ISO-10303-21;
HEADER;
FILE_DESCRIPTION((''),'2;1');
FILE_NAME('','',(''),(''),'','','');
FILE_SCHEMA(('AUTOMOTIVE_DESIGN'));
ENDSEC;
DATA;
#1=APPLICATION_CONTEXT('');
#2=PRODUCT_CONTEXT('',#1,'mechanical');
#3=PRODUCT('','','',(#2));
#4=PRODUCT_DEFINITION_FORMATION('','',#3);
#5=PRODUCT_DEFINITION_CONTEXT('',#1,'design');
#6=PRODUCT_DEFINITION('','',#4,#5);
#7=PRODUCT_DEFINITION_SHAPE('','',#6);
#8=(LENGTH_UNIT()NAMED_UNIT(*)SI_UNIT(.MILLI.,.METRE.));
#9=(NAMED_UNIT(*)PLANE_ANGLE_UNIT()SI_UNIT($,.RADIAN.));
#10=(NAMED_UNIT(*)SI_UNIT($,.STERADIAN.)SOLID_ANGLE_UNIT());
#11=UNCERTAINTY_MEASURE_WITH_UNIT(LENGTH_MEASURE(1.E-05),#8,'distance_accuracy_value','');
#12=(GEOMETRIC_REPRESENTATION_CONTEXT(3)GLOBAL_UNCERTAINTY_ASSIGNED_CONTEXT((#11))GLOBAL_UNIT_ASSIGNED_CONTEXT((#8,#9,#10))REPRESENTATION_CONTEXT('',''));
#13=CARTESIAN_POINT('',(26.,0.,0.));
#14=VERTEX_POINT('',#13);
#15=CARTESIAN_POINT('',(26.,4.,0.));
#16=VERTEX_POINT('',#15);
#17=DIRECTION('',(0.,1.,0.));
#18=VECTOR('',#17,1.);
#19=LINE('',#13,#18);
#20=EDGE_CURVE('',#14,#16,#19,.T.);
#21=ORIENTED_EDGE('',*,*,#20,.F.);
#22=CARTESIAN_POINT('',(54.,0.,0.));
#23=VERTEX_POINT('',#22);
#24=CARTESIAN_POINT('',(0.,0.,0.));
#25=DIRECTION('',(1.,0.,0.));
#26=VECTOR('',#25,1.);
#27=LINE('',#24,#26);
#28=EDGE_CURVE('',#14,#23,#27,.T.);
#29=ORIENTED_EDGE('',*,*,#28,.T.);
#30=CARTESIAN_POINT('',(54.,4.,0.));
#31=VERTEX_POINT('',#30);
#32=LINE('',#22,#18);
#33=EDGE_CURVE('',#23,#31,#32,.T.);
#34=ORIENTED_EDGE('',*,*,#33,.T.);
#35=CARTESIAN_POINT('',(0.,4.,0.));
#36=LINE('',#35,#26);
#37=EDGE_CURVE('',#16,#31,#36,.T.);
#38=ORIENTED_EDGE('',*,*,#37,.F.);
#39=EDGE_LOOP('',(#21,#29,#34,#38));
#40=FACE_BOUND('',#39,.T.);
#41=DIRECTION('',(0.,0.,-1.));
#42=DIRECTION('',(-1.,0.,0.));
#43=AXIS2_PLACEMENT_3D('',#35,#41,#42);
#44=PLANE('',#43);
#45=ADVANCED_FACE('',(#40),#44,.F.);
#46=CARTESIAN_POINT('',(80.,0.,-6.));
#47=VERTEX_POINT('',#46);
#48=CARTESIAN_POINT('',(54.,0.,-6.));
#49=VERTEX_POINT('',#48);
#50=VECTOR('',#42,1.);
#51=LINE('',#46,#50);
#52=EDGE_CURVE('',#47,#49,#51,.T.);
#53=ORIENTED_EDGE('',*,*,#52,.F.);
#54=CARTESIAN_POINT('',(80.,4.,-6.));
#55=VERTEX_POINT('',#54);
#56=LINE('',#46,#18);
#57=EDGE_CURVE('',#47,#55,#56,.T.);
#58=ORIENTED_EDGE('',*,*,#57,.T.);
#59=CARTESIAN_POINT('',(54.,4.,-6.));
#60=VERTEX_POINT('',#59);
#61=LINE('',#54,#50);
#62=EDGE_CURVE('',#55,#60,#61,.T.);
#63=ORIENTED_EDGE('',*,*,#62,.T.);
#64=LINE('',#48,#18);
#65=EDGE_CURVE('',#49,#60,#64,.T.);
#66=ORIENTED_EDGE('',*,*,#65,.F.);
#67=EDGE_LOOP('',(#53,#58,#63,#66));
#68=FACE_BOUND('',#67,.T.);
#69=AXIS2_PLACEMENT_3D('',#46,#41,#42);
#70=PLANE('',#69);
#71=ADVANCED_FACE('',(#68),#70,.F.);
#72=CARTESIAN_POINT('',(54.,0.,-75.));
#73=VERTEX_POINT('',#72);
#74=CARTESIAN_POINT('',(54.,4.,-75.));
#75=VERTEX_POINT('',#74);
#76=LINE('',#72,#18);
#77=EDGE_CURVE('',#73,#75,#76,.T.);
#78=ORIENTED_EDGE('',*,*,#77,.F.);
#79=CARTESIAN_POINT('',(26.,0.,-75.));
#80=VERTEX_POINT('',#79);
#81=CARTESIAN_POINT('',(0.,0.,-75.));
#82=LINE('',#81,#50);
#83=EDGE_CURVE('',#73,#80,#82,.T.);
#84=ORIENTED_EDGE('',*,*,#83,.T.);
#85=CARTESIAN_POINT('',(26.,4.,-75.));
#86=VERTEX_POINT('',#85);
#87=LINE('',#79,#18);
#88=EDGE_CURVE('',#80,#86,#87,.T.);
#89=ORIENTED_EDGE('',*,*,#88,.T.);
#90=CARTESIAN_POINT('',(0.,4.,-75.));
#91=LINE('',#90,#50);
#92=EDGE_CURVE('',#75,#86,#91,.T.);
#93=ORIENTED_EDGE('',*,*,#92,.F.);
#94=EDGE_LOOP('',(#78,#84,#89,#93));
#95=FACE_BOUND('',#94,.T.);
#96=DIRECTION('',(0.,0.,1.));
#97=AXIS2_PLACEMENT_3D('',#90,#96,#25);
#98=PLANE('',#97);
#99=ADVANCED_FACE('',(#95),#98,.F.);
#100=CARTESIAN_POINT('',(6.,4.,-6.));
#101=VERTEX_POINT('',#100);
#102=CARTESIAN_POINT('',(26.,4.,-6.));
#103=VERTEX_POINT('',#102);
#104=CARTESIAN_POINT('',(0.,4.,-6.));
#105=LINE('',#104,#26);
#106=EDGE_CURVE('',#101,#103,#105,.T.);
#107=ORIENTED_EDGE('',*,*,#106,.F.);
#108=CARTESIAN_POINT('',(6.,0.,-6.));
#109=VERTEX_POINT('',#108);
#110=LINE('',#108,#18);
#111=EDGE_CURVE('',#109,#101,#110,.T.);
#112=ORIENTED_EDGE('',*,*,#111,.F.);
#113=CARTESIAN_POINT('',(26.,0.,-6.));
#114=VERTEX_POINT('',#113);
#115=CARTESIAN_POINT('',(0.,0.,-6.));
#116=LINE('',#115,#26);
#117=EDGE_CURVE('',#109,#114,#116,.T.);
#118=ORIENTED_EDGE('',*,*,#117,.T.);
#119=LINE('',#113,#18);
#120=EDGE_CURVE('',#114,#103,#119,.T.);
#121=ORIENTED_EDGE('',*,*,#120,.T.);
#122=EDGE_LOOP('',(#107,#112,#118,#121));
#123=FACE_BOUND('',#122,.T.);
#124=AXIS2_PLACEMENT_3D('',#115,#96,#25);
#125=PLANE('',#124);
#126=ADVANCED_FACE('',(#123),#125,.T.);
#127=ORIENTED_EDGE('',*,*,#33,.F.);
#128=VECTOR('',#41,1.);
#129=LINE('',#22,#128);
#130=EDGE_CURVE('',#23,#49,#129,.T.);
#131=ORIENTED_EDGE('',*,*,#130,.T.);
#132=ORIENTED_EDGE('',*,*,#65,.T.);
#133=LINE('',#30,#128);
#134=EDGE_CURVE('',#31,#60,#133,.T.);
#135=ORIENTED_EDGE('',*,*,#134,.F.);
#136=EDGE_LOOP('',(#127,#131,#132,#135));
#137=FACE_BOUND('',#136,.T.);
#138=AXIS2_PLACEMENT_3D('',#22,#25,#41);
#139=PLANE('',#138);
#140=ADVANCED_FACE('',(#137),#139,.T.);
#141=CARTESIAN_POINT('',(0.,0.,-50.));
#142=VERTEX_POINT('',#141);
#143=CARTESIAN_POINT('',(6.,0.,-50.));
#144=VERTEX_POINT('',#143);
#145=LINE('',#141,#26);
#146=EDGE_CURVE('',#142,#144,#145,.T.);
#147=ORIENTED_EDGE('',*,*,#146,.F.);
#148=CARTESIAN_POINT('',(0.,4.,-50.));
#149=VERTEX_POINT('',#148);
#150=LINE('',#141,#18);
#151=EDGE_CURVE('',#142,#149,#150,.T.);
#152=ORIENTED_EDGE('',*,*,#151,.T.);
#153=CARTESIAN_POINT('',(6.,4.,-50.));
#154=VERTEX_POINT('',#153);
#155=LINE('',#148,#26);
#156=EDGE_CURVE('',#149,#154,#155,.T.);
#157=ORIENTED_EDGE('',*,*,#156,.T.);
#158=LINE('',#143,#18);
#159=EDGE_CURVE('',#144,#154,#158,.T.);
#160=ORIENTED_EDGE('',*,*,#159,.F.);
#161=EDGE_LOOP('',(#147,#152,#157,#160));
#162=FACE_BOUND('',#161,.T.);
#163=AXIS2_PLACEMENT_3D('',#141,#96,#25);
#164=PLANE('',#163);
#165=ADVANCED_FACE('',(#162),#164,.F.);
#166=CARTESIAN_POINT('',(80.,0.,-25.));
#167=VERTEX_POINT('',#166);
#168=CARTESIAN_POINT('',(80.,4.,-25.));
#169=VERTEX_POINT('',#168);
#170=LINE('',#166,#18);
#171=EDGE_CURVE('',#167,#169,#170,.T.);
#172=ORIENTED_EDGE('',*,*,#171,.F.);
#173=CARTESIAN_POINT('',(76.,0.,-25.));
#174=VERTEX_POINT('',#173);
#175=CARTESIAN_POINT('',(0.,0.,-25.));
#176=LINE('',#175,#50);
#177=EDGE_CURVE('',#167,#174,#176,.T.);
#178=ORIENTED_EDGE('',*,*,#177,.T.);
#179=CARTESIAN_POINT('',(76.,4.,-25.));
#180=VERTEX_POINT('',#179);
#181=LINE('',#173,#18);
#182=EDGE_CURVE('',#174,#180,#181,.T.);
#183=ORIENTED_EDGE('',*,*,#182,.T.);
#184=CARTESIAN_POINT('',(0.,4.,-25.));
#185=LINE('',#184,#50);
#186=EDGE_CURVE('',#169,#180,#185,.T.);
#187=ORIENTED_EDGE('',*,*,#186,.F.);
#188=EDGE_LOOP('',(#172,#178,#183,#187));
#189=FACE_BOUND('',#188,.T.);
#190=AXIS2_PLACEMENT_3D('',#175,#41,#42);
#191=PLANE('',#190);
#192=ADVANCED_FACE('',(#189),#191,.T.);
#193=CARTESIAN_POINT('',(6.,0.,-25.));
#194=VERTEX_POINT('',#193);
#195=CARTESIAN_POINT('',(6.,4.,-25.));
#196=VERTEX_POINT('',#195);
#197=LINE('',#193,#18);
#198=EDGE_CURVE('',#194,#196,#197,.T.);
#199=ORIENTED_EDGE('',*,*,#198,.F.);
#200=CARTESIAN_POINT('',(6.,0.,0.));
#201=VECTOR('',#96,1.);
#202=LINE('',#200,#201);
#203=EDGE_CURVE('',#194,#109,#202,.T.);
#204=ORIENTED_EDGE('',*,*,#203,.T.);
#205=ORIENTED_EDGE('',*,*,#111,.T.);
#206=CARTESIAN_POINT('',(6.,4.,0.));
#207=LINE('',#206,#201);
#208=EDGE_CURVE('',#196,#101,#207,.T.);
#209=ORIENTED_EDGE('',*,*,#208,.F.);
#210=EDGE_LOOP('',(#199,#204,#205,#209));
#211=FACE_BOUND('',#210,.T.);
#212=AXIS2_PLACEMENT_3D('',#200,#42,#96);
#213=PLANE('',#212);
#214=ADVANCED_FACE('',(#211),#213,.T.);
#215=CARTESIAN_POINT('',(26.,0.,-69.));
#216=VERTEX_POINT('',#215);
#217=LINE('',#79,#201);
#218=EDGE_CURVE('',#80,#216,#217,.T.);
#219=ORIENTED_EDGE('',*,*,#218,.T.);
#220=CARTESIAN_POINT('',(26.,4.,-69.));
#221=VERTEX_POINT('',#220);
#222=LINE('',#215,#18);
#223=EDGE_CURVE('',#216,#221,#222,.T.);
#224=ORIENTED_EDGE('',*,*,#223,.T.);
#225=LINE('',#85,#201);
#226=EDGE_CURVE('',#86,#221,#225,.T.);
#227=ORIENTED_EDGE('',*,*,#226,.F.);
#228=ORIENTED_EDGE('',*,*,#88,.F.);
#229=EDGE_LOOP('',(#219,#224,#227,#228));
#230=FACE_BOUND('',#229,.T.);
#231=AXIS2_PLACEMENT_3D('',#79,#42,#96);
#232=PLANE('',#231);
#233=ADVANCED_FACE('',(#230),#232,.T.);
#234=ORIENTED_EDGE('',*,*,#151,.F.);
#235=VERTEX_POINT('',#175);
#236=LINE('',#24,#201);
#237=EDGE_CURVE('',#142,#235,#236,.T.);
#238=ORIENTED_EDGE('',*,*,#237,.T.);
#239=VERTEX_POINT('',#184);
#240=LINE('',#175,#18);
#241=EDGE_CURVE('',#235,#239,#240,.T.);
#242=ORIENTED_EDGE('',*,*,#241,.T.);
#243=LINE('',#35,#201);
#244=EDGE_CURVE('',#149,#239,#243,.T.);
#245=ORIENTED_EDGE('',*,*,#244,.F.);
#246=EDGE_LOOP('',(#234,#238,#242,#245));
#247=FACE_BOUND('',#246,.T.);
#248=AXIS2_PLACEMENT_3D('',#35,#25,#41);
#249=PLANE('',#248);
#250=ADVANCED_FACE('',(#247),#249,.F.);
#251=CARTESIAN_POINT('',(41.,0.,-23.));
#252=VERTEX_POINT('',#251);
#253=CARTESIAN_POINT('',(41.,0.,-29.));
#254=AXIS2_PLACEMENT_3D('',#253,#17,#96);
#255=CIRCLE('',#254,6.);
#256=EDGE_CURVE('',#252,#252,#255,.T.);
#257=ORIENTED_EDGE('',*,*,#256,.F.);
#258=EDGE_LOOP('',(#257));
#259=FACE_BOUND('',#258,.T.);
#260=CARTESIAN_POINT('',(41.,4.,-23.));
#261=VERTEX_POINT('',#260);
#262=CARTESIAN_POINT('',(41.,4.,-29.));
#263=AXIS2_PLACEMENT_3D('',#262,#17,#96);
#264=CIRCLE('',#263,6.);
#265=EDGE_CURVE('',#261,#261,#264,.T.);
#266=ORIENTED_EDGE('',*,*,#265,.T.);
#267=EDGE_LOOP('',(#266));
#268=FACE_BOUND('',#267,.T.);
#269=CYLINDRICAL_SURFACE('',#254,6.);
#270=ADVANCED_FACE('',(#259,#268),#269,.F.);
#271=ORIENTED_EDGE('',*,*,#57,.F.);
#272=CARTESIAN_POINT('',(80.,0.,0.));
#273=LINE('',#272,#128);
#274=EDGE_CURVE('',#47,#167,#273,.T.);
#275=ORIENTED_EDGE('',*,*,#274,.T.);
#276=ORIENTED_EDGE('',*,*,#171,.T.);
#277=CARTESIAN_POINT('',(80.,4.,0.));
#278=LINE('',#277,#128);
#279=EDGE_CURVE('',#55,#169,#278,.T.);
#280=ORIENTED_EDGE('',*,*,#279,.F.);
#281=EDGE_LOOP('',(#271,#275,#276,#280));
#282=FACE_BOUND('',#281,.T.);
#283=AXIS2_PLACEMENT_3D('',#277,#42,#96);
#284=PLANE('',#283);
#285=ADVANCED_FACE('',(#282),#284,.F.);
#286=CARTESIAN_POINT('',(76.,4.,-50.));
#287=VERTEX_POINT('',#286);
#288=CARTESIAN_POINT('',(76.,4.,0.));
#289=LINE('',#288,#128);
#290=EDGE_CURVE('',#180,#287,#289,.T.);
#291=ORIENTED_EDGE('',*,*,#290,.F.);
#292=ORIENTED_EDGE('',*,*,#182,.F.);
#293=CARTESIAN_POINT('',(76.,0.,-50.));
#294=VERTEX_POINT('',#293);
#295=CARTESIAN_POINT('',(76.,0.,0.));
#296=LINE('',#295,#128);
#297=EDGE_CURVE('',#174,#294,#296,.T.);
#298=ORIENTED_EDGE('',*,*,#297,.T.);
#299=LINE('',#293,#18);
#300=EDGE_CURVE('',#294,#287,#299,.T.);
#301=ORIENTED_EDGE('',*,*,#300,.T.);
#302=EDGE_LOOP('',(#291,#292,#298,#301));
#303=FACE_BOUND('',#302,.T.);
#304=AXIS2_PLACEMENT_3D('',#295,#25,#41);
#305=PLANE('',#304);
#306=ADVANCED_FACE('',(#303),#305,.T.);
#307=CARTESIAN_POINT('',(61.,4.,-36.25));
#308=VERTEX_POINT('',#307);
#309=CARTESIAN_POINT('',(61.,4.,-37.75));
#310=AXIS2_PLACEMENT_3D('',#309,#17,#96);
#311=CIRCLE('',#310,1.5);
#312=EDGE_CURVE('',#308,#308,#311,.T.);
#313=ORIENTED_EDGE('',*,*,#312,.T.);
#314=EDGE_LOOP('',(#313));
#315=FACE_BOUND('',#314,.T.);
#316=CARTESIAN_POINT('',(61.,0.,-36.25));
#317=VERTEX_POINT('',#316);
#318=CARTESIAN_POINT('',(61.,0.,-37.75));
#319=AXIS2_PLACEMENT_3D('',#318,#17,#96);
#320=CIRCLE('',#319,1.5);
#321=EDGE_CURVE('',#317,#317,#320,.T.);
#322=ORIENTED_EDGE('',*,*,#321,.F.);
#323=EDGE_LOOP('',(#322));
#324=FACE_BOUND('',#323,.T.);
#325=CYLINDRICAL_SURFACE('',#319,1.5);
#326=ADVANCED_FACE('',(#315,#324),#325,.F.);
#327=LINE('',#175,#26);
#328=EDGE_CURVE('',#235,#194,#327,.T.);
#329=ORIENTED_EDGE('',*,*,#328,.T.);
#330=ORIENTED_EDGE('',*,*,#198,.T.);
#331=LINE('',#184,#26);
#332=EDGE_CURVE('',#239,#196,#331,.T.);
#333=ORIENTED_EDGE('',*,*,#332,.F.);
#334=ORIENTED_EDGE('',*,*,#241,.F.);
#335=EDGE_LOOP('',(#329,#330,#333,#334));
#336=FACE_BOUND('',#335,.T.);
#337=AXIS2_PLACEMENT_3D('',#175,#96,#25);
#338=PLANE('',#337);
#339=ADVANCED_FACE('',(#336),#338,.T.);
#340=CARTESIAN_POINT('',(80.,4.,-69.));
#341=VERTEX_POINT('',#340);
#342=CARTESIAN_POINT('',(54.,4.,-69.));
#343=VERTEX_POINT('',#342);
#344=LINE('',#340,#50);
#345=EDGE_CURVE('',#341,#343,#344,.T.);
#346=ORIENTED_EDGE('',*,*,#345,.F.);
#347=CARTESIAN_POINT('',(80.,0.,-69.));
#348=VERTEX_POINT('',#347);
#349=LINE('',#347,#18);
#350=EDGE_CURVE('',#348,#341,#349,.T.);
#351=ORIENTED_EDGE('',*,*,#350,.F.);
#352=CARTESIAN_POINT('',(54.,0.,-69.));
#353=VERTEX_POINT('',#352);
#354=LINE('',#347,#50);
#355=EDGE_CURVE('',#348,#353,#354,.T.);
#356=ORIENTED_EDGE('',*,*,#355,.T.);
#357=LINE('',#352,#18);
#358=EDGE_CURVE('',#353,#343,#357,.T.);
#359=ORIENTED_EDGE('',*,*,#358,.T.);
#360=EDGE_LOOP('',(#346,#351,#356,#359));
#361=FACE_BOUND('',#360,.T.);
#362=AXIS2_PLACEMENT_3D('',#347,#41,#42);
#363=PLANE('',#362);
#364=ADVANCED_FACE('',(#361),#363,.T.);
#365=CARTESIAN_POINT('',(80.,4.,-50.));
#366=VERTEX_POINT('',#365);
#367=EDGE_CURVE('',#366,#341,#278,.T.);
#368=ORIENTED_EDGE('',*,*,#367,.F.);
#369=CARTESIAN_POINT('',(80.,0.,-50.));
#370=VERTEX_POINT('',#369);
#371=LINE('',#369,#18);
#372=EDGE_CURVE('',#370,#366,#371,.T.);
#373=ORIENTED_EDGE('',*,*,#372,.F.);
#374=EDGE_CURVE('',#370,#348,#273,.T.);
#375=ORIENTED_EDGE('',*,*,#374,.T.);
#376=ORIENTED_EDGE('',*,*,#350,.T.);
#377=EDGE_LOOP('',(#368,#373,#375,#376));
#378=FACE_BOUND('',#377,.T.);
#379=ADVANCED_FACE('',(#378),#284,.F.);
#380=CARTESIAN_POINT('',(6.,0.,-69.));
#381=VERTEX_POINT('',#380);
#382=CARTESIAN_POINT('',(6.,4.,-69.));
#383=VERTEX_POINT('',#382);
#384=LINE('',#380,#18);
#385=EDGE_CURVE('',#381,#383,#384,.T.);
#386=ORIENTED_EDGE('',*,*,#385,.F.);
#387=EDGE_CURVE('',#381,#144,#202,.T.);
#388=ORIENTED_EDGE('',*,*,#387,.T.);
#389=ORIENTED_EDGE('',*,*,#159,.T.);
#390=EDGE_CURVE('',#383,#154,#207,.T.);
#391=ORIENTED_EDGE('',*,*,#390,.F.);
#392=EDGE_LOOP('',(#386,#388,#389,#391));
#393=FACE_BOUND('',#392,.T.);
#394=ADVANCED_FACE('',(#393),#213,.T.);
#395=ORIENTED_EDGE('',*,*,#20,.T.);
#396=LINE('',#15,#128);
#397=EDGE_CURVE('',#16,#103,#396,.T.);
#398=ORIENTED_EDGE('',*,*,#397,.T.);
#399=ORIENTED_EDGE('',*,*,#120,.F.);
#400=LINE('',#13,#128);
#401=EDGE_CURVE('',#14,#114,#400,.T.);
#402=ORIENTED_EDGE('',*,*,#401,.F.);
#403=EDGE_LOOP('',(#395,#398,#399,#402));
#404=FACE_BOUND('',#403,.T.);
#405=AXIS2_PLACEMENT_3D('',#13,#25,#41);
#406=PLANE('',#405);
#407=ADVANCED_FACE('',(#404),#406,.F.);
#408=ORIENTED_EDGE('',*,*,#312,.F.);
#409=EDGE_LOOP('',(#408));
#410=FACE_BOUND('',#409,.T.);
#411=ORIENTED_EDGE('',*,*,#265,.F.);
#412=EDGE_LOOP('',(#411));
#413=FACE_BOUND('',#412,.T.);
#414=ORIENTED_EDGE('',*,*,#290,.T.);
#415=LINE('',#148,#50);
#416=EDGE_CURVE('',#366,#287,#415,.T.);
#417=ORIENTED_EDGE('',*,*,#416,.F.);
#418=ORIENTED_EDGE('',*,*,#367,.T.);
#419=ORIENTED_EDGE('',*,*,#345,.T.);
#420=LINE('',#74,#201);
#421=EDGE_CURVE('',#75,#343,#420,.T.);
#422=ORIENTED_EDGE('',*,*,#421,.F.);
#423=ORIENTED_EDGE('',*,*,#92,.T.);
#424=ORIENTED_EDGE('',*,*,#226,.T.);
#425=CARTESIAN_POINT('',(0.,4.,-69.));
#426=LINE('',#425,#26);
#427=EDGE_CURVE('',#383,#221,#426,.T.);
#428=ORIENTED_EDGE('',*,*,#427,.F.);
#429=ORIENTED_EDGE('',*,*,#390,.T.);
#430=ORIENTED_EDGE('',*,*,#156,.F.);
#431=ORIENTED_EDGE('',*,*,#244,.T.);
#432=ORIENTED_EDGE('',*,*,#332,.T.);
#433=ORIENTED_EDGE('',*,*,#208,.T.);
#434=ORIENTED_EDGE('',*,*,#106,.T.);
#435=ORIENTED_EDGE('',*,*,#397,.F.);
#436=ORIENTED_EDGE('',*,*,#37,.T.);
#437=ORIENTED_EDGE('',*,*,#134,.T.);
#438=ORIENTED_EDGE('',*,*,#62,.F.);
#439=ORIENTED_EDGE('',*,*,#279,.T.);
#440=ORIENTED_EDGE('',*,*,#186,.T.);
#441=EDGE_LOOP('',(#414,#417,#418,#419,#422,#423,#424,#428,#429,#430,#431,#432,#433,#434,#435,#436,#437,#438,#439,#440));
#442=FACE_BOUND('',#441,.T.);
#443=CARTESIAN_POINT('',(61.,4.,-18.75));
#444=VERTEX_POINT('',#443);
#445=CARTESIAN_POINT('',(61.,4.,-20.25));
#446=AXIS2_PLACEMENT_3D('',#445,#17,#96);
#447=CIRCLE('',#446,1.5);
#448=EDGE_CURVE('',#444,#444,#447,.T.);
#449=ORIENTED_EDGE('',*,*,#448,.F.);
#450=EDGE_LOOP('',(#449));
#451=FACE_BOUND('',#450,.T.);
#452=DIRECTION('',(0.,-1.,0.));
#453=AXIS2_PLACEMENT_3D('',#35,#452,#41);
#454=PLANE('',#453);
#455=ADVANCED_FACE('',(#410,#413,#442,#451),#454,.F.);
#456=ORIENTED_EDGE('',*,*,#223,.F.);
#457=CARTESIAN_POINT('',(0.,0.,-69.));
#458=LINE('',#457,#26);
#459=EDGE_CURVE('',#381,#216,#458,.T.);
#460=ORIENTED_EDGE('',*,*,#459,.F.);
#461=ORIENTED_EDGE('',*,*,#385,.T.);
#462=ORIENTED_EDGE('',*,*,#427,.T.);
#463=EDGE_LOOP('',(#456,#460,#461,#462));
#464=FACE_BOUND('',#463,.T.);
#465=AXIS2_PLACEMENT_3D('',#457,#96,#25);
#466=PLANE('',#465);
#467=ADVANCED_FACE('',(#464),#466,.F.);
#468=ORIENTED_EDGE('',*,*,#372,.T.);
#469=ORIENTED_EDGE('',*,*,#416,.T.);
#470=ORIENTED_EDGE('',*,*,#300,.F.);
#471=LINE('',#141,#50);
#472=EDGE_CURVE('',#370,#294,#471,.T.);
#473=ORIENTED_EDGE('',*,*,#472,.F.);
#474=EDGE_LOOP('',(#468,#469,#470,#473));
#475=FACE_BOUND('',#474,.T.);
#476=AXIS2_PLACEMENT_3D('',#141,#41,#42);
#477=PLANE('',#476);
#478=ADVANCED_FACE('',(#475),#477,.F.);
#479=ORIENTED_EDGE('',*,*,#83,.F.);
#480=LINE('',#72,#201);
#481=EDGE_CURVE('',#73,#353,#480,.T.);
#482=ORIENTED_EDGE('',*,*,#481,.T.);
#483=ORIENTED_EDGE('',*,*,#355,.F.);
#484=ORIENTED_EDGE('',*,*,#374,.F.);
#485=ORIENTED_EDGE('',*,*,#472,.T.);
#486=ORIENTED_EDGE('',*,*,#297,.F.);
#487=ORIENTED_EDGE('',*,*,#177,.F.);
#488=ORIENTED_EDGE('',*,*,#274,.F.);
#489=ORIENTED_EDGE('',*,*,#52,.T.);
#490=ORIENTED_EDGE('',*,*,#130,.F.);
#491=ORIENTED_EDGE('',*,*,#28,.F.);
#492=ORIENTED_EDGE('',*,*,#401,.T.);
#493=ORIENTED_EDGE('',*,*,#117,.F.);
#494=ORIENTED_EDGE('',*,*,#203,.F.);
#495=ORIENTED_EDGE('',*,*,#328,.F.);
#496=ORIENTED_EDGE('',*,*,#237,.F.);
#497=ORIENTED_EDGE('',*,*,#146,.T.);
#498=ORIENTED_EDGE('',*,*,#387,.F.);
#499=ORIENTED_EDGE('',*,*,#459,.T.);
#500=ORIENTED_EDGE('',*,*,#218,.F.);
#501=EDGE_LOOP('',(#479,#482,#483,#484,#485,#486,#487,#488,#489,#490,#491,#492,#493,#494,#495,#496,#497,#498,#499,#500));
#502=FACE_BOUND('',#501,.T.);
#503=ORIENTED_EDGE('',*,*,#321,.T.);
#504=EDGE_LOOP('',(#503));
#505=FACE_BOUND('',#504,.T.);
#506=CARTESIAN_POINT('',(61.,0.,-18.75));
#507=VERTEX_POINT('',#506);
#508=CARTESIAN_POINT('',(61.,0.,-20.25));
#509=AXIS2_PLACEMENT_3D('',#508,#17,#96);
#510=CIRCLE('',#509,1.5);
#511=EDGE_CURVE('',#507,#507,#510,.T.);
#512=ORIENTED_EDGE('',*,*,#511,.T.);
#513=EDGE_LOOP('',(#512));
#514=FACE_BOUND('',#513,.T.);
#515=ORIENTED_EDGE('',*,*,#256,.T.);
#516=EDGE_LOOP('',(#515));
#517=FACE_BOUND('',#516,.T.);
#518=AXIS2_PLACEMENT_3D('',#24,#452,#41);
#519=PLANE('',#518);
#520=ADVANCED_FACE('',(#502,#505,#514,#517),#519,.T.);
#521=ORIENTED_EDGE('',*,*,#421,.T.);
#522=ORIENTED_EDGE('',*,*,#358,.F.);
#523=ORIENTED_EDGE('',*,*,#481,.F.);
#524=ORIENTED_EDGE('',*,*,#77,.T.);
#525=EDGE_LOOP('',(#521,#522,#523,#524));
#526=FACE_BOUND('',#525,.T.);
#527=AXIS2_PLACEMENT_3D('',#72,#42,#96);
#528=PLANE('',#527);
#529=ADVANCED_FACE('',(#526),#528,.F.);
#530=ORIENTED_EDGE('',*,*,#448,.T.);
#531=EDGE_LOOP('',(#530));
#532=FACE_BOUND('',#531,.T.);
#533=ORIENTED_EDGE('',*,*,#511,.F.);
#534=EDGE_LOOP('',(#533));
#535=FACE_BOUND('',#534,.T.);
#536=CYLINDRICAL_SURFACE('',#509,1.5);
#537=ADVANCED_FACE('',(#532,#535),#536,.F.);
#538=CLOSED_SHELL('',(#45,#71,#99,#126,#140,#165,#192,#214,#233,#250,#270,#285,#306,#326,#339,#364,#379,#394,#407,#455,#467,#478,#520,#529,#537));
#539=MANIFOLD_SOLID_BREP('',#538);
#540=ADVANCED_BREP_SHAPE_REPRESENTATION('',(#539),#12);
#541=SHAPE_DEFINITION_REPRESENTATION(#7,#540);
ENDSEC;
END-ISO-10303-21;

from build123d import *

# Parameters (mm, degrees)
SKETCH1_W           = 80
SKETCH1_H           = 75
BOSS_EXTRUDE1_DEPTH = 4
SKETCH2_R           = 6
SKETCH2_R_2         = 1.5
CUT_EXTRUDE1_DEPTH  = 110.731490467
SKETCH3_W           = 26
SKETCH3_H           = 6
SKETCH3_W_2         = 4
SKETCH3_H_2         = 25
CUT_EXTRUDE2_DEPTH  = 110.731490467


with BuildPart() as part:
    # Sketch1 → Boss-Extrude1 (new body)
    with BuildSketch(Plane(origin=(0, 0, 0), x_dir=(1, 0, 0), z_dir=(0, 1, 0))):
        with Locations((40, 37.5)):
            Rectangle(SKETCH1_W, SKETCH1_H)
    extrude(amount=BOSS_EXTRUDE1_DEPTH)

    # Sketch2 → Cut-Extrude1 (cut, through all)
    with BuildSketch(Plane(origin=(0, 4, 0), x_dir=(1, 0, 0), z_dir=(0, 1, 0))):
        with Locations(Location((41, 29, 0), (0, 0, 270))):
            Circle(SKETCH2_R)
        with Locations(Location((61, 37.75, 0), (0, 0, 270))):
            Circle(SKETCH2_R_2)
        with Locations(Location((61, 20.25, 0), (0, 0, 270))):
            Circle(SKETCH2_R_2)
    extrude(amount=-CUT_EXTRUDE1_DEPTH, mode=Mode.SUBTRACT)

    # Sketch3 → Cut-Extrude2 (cut, through all)
    with BuildSketch(Plane(origin=(0, 4, 0), x_dir=(1, 0, 0), z_dir=(0, 1, 0))):
        with Locations((67, 3)):
            Rectangle(SKETCH3_W, SKETCH3_H)
        with Locations((78, 37.5)):
            Rectangle(SKETCH3_W_2, SKETCH3_H_2)
        with Locations((67, 72)):
            Rectangle(SKETCH3_W, SKETCH3_H)
        Polygon((0, 75), (0, 50), (6, 50), (6, 69), (26, 69), (26, 75), align=None)
        Polygon((6, 25), (0, 25), (0, 0), (26, 0), (26, 6), (6, 6), align=None)
    extrude(amount=-CUT_EXTRUDE2_DEPTH, mode=Mode.SUBTRACT)


solid = part.part
